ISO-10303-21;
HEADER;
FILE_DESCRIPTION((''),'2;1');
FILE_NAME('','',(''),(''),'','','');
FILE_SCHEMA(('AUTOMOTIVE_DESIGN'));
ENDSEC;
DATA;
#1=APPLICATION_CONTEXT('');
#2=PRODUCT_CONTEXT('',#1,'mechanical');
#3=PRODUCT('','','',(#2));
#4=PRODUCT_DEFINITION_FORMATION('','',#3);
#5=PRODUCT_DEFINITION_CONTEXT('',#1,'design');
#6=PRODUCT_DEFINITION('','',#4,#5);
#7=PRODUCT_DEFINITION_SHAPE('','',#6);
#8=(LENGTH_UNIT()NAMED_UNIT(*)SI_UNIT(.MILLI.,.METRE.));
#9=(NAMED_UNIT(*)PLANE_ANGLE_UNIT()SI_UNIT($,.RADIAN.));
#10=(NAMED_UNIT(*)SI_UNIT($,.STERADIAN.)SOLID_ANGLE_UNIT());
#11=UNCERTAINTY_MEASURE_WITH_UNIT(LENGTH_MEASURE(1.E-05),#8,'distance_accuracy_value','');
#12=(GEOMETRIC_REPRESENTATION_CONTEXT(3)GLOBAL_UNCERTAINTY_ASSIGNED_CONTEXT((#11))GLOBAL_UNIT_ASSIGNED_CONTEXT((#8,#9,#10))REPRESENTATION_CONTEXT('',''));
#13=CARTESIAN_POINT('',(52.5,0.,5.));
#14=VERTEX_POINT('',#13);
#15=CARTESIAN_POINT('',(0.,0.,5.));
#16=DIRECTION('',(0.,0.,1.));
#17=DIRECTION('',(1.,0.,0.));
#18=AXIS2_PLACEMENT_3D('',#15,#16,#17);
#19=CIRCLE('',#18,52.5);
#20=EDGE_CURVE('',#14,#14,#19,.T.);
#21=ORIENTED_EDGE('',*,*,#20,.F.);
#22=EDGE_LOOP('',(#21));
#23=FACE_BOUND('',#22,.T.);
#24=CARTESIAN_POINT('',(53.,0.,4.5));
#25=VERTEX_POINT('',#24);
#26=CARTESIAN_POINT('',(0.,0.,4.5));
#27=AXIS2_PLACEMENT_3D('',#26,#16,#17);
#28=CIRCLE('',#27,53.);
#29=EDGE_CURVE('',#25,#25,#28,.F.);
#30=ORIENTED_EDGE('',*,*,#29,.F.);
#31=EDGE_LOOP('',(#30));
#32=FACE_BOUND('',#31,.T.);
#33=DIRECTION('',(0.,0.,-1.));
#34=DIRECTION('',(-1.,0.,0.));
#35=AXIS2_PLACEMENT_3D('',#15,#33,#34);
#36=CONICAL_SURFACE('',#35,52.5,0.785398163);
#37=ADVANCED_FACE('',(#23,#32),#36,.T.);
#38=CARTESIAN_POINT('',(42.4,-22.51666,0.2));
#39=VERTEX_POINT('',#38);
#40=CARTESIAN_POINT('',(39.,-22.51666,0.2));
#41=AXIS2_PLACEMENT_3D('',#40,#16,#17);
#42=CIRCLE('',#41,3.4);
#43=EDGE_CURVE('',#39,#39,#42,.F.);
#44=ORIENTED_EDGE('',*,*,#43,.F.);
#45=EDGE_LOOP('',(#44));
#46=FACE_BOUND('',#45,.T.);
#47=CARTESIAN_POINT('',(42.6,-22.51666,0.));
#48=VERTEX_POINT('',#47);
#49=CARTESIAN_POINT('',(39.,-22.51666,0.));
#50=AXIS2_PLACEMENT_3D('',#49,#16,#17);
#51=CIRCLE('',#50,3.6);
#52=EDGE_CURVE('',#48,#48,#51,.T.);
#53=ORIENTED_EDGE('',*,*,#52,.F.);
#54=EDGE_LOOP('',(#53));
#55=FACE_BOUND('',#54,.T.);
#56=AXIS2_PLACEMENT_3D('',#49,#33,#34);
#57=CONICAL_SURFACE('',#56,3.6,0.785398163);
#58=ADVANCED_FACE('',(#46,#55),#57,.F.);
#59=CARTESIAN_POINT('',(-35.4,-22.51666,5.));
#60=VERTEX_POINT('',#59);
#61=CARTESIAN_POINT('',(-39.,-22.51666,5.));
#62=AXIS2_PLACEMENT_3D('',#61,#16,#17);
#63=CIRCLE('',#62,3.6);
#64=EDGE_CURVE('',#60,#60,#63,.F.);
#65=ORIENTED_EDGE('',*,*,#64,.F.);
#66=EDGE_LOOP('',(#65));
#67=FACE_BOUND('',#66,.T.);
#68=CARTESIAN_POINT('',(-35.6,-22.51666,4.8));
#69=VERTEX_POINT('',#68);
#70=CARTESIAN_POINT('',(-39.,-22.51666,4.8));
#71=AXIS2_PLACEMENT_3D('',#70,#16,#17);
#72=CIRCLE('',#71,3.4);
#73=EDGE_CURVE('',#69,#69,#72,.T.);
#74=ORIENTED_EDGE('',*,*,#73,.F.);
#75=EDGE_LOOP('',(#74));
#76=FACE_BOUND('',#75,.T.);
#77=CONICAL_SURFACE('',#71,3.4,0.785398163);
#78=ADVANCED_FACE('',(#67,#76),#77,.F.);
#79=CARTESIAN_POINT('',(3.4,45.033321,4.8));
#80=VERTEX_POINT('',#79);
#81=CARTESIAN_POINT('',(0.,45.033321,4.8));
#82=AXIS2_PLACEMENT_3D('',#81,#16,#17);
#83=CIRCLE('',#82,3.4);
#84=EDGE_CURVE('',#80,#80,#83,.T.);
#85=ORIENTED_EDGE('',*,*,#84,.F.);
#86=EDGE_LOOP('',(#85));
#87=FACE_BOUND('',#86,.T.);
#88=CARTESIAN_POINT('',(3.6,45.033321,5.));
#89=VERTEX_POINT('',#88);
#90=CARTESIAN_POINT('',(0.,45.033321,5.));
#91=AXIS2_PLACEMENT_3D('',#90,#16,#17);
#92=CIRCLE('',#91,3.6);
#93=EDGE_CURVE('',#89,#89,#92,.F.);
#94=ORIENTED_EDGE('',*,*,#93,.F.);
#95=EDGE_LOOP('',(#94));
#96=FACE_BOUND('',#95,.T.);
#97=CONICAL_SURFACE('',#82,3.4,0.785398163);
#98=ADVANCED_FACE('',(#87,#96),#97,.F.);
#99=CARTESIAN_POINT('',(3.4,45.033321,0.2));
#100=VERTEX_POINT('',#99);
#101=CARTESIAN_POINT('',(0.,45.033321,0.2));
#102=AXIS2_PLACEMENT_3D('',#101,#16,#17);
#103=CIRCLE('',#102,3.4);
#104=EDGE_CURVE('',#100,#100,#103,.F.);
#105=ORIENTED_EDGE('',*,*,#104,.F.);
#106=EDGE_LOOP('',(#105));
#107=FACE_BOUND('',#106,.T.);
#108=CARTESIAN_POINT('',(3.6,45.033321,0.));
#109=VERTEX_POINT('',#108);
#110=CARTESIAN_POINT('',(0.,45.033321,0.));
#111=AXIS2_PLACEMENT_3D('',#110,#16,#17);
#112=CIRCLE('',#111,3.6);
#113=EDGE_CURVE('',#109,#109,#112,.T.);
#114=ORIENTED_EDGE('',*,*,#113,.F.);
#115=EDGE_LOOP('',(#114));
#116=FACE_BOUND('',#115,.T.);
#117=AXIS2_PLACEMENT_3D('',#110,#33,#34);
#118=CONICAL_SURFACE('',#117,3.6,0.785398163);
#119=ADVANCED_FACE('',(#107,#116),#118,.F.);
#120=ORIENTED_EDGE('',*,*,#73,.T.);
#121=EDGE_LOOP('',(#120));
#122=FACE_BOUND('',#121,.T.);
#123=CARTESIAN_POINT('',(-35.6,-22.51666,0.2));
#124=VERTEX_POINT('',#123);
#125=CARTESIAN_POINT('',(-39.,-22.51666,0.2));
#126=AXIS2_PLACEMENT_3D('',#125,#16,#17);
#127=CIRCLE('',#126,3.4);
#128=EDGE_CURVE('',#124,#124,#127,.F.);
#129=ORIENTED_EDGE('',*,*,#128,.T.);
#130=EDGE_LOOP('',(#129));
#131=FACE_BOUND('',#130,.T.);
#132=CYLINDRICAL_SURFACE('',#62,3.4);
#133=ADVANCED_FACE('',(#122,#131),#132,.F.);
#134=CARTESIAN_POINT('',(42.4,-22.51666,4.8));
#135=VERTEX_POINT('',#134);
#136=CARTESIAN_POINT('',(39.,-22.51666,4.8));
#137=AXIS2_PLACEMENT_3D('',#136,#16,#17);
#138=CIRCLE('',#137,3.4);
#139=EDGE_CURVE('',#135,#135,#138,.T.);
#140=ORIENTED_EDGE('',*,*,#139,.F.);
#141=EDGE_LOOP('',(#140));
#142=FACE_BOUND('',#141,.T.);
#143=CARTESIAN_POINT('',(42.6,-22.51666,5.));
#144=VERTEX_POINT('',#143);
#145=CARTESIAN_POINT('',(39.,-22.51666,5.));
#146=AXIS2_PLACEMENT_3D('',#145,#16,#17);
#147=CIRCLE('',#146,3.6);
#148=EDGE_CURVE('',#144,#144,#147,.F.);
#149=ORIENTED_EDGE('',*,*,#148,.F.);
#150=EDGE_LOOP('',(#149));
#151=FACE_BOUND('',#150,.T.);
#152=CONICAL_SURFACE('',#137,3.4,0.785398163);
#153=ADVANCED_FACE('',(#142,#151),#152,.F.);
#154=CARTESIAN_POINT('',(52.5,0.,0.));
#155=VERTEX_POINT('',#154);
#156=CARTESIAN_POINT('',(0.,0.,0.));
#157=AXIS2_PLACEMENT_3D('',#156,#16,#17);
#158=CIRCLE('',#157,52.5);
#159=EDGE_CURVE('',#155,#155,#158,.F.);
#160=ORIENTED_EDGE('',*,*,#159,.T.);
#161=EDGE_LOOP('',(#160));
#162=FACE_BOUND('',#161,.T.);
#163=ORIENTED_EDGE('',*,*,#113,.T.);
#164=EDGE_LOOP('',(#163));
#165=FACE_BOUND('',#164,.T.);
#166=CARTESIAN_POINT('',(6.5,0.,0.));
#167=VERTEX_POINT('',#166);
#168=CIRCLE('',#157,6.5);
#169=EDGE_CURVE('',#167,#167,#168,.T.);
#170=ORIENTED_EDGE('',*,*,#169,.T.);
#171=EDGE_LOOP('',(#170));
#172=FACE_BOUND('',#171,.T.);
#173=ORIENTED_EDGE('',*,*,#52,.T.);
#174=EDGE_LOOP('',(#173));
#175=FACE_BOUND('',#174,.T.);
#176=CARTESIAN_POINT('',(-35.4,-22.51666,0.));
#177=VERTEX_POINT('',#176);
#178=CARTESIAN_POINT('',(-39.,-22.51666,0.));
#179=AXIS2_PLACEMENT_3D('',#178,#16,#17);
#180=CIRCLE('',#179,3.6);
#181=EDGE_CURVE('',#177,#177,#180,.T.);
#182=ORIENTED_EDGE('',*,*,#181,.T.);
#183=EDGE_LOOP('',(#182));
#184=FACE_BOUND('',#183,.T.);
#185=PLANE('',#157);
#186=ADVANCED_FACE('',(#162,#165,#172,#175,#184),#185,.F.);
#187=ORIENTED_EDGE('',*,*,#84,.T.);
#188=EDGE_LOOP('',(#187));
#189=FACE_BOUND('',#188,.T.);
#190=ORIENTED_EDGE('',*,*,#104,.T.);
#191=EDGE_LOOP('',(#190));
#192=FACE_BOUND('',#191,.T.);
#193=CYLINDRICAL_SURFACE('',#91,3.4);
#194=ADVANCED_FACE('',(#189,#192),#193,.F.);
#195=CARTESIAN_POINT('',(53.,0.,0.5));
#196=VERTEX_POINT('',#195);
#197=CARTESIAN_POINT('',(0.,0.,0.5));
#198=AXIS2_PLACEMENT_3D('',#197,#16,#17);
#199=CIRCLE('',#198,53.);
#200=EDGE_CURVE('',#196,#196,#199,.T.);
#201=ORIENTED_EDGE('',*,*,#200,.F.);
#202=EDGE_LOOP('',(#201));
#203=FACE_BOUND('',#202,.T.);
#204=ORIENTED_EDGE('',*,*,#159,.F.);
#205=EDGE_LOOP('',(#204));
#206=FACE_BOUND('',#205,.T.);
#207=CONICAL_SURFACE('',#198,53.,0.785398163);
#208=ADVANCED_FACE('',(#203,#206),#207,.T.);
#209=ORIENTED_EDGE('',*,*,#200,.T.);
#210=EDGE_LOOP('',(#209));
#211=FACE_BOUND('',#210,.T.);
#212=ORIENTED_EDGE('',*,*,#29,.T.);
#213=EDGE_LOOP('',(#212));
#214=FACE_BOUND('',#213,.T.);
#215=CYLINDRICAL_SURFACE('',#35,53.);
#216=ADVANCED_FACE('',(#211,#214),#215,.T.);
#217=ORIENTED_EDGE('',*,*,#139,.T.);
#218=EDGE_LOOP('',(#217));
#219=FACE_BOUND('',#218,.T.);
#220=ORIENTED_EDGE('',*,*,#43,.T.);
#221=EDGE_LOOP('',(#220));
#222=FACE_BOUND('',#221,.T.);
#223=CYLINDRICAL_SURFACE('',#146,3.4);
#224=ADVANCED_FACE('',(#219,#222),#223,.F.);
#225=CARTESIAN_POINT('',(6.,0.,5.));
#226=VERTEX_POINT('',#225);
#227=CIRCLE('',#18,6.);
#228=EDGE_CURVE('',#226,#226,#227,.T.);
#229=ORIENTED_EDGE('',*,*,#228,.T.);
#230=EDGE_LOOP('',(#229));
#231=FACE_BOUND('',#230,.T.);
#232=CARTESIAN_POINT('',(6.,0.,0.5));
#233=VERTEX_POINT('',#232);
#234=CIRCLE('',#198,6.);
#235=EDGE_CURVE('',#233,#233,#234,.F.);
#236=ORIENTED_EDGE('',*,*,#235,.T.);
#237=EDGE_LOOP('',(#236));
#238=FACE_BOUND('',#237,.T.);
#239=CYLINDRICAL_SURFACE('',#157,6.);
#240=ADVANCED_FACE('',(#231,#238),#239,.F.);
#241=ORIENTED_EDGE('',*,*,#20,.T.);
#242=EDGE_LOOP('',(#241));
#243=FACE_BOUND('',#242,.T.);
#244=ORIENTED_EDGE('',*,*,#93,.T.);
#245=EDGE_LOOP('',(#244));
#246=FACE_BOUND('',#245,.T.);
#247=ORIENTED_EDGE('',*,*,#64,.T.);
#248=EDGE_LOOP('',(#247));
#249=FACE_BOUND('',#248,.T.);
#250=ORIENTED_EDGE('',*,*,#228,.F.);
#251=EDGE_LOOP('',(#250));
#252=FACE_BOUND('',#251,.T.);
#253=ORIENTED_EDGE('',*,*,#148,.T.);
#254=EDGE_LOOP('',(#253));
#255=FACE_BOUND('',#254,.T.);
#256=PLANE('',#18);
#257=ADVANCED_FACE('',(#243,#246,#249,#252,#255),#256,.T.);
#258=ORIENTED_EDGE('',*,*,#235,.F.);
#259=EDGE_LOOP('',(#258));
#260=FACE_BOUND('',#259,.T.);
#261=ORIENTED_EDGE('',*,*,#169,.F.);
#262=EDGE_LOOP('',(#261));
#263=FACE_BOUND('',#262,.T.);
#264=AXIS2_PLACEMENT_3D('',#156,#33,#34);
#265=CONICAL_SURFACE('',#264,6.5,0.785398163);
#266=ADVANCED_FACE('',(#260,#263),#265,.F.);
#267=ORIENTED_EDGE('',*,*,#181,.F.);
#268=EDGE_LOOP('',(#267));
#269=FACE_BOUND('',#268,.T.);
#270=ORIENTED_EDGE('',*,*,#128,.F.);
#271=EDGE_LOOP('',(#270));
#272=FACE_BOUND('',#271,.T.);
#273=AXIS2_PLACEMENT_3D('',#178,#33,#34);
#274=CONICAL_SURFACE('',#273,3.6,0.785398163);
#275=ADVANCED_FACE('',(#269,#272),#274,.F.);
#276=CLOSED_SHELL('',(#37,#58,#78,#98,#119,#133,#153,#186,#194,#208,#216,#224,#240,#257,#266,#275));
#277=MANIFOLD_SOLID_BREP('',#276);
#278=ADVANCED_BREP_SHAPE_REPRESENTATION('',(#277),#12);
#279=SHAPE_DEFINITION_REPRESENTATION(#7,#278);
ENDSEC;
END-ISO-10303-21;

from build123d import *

# Parameters (mm, degrees)
ESQUISSE1_R                               = 53
BOSS_EXTRU_1_DEPTH                        = 5
CHANFREIN1_SIZE                           = 0.5
TROU_POUR_TARAUDAGE_POUR_TROU_TARAUD_M8_D = 6.8
CHANFREIN2_SIZE                           = 0.2
ESQUISSE4_R                               = 6
ENL_V_MAT_EXTRU_1_DEPTH                   = 76.119904153
CHANFREIN3_SIZE                           = 0.5


with BuildPart() as part:
    # Esquisse1 → Boss.-Extru.1 (new body)
    with BuildSketch(Plane.XY):
        Circle(ESQUISSE1_R)
    extrude(amount=BOSS_EXTRU_1_DEPTH)

    # Chanfrein1
    chanfrein1_edges = [part.edges().sort_by_distance(p)[0] for p in [
        (-53, 0, 0),
        (-53, 0, 5),
    ]]
    chamfer(chanfrein1_edges, length=CHANFREIN1_SIZE)

    # Trou pour taraudage pour trou taraudé M81 (through all)
    with Locations(Plane.XY.offset(5)):
        with Locations((0, 45.033320997), (39, -22.516660498), (-39, -22.516660498)):
            Hole(TROU_POUR_TARAUDAGE_POUR_TROU_TARAUD_M8_D / 2)

    # Chanfrein2
    chanfrein2_edges = [part.edges().sort_by_distance(p)[0] for p in [
        (-35.6, -22.516660498, 5),
        (-35.6, -22.516660498, 0),
        (42.4, -22.516660498, 5),
        (42.4, -22.516660498, 0),
        (3.4, 45.033320997, 5),
        (3.4, 45.033320997, 0),
    ]]
    chamfer(chanfrein2_edges, length=CHANFREIN2_SIZE)

    # Esquisse4 → Enlèv. mat.-Extru.1 (cut, through all)
    with BuildSketch(Plane.XY.offset(5)):
        Circle(ESQUISSE4_R)
    extrude(amount=-ENL_V_MAT_EXTRU_1_DEPTH, mode=Mode.SUBTRACT)

    # Chanfrein3
    chanfrein3_edges = [part.edges().sort_by_distance(p)[0] for p in [
        (-6, 0, 0),
    ]]
    chamfer(chanfrein3_edges, length=CHANFREIN3_SIZE)


solid = part.part
